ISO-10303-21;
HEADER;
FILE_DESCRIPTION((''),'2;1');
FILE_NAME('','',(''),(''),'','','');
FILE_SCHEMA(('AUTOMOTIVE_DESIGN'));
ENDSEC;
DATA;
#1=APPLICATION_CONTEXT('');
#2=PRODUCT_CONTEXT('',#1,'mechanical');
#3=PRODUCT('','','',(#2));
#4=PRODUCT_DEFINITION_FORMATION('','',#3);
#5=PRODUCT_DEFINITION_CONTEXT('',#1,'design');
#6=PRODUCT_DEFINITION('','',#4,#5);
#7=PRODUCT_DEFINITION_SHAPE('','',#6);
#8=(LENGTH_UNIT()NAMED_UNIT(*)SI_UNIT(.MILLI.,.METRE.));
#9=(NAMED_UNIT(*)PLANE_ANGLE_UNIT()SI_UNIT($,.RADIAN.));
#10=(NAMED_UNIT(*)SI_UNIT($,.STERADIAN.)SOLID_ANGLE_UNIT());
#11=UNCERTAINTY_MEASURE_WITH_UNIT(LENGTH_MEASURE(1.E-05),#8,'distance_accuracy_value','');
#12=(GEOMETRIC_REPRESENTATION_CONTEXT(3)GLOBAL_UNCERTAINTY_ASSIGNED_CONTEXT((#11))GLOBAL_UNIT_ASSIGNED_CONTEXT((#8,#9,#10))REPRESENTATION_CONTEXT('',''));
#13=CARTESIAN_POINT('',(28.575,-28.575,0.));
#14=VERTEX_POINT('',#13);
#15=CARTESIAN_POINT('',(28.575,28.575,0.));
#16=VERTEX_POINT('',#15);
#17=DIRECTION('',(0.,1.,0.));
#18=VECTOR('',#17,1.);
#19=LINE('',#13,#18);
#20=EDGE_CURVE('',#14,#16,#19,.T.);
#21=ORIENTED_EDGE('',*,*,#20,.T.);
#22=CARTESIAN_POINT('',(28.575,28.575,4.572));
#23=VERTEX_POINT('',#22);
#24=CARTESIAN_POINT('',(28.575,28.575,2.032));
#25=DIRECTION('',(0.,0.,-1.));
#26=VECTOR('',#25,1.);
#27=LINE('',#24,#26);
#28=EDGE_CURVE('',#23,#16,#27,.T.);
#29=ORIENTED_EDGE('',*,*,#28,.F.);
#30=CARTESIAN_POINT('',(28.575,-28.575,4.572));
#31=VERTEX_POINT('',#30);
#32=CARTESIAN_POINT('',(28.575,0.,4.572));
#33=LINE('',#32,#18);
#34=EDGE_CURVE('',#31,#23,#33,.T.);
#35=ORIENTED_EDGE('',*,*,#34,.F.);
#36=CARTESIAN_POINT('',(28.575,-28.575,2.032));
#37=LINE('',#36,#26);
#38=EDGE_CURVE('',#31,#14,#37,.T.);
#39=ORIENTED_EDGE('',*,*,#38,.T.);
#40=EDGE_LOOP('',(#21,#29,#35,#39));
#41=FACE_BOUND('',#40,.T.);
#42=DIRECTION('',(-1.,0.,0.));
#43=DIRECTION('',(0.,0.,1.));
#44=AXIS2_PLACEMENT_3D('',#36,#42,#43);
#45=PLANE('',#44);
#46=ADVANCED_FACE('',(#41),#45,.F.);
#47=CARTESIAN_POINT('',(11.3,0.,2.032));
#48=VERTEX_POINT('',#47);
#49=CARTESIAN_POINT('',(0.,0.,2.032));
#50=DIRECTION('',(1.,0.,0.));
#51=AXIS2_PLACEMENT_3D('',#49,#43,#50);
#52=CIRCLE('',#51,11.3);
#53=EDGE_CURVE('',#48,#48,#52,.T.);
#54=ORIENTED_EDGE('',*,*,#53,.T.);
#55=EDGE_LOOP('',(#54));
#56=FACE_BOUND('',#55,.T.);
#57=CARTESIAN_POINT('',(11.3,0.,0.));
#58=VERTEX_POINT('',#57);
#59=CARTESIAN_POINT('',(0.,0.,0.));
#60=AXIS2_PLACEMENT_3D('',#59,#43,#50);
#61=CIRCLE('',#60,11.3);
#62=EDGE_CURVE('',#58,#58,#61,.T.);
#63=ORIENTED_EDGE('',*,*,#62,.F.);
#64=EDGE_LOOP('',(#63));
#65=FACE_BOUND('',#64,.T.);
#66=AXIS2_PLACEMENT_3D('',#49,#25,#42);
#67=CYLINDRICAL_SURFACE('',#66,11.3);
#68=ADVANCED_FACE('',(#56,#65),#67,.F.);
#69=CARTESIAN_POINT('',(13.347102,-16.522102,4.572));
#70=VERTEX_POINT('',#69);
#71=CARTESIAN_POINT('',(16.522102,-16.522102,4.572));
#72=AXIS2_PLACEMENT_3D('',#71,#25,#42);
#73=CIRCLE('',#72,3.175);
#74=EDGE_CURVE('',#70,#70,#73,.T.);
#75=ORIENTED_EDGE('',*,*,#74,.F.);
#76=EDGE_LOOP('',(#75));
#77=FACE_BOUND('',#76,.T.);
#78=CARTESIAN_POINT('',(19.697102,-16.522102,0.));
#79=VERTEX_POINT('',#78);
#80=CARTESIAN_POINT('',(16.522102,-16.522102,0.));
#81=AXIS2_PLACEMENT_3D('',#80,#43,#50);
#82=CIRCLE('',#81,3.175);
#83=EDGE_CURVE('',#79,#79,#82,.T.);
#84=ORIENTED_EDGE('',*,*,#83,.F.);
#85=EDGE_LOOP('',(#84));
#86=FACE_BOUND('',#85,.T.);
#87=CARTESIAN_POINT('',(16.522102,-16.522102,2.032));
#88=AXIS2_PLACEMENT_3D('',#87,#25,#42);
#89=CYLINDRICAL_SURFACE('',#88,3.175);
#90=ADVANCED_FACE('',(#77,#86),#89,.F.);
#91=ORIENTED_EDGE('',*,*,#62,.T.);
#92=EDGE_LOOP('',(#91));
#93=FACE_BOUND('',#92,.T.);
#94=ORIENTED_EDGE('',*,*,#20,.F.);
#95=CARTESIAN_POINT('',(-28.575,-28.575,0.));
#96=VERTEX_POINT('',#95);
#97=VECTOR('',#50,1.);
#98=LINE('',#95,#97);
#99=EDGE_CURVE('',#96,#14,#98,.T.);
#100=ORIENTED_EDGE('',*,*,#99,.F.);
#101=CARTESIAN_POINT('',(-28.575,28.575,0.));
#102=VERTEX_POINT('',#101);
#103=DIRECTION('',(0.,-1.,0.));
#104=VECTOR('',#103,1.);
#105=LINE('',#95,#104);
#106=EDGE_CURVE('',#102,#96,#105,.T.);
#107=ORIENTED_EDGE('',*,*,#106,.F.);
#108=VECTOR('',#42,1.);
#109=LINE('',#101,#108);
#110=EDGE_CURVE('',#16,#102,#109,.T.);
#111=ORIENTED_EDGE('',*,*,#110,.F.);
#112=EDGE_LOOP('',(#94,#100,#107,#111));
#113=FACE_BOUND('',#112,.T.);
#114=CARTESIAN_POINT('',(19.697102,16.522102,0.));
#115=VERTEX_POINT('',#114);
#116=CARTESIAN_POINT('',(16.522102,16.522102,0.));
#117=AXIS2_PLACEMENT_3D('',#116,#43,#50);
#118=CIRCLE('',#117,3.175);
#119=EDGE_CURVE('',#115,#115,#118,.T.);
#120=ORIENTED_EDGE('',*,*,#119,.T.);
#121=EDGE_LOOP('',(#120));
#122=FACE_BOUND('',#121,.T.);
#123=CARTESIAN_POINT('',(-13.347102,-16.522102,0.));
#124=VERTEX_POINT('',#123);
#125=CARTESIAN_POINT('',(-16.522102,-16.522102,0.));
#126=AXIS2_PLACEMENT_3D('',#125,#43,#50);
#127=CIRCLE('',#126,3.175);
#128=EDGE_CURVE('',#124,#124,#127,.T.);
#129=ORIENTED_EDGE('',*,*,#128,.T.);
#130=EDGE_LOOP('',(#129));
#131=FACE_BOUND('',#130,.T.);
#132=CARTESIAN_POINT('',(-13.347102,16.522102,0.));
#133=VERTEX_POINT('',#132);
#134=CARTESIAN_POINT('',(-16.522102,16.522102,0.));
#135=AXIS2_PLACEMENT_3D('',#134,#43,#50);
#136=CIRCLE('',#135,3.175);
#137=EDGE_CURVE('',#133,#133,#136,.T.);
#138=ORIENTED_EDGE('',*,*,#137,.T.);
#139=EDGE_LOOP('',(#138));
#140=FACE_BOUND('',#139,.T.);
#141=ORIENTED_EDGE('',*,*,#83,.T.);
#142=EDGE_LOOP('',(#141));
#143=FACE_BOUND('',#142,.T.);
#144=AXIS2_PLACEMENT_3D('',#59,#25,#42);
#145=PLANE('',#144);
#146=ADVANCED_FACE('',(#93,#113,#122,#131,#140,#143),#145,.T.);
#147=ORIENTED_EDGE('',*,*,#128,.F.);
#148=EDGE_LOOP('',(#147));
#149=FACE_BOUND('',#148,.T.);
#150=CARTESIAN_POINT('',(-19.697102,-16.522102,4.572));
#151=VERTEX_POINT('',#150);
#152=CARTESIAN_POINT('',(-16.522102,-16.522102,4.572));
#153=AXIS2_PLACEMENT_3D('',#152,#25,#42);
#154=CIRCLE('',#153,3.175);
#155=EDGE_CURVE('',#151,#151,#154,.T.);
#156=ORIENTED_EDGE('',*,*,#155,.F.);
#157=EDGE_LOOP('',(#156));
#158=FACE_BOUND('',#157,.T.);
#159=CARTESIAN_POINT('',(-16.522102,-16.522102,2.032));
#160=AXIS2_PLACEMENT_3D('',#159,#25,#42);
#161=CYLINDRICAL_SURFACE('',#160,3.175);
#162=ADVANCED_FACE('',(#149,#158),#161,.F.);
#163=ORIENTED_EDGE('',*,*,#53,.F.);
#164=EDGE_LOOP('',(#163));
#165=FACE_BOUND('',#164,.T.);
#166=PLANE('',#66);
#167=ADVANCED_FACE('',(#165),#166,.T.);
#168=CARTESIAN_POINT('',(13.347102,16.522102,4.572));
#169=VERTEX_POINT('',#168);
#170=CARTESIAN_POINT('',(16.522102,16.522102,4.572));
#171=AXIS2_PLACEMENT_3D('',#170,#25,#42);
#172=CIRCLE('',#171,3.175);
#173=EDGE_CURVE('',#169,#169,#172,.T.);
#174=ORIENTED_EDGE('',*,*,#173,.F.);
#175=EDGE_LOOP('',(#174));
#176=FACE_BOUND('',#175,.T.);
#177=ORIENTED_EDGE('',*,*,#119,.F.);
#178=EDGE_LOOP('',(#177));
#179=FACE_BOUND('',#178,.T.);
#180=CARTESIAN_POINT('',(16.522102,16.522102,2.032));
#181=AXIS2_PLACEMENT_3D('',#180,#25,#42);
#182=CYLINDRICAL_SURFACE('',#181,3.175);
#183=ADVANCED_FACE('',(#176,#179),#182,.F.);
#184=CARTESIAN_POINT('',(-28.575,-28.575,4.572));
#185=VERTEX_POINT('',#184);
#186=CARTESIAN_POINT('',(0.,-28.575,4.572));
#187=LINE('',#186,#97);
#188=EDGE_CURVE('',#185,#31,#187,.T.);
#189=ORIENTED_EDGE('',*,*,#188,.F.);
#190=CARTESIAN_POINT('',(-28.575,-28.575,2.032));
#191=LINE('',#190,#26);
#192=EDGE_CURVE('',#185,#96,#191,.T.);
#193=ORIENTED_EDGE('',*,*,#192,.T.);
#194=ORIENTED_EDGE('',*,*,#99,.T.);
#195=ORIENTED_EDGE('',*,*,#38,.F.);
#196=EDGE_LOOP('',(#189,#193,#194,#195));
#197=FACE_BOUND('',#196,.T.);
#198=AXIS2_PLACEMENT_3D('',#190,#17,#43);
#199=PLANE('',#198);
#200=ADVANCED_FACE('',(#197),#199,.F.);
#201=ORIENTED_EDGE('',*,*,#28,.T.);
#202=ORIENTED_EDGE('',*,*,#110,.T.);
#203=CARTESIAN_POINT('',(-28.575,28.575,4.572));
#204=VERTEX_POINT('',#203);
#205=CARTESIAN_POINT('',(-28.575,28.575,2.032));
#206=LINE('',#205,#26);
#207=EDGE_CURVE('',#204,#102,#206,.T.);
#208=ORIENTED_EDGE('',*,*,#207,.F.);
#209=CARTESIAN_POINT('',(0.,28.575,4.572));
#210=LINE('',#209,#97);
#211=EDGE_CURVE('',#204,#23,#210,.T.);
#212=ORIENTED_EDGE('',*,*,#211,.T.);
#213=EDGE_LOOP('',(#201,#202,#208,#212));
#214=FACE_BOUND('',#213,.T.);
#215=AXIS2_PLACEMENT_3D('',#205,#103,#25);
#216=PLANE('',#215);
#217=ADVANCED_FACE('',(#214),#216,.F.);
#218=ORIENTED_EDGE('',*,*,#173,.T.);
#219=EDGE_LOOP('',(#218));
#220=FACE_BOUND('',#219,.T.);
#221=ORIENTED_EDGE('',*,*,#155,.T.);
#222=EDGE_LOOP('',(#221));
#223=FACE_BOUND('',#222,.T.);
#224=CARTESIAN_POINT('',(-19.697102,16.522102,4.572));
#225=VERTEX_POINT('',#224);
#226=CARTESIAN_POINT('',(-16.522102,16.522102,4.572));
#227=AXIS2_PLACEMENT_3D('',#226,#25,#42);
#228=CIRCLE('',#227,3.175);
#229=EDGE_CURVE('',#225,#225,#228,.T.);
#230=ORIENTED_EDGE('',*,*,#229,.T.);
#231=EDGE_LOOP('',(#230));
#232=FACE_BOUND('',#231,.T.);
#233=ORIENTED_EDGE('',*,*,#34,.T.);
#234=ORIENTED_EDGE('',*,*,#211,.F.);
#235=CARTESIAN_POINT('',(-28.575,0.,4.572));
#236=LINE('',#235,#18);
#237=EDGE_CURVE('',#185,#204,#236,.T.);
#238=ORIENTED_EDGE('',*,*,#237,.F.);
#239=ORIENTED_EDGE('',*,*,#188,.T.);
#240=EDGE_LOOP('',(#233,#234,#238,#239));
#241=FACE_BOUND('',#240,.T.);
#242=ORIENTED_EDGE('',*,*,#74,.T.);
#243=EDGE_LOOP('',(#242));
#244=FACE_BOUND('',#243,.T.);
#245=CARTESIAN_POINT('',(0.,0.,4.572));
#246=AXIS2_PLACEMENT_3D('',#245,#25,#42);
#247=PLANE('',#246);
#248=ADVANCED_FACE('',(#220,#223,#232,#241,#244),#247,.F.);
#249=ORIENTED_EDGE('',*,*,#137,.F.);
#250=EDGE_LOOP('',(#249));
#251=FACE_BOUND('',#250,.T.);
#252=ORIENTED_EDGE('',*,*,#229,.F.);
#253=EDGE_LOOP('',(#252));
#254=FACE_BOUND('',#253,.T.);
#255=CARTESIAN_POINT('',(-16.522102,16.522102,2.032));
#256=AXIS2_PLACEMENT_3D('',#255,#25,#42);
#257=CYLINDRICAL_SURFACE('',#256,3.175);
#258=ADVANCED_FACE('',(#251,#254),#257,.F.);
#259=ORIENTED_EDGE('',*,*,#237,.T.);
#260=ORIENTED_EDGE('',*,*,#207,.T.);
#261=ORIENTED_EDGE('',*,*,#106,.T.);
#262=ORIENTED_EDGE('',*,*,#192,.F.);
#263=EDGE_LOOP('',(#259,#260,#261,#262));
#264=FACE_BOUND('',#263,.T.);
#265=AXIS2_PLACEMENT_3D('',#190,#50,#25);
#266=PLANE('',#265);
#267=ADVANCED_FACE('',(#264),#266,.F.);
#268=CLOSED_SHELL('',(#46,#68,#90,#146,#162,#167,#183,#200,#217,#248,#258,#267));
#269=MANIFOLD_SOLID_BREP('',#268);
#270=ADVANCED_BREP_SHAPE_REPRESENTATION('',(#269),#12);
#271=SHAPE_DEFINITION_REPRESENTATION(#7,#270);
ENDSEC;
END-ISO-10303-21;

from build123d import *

# Parameters (mm, degrees)
SKETCH1_W           = 57.15
SKETCH1_H           = 57.15
SKETCH1_R           = 3.175
SKETCH1_R_2         = 11.3
BOSS_EXTRUDE1_DEPTH = 2.032
BOSS_EXTRUDE2_START = 2.032
SKETCH1_2_W         = 57.15
SKETCH1_2_H         = 57.15
SKETCH1_2_R         = 11.3
SKETCH1_2_R_2       = 3.175
BOSS_EXTRUDE2_DEPTH = 2.54


with BuildPart() as part:
    # Sketch1 → Boss-Extrude1 (new body)
    with BuildSketch(Plane.XY):
        Rectangle(SKETCH1_W, SKETCH1_H)
        with Locations((-16.522101848, 16.522101848)):
            Circle(SKETCH1_R, mode=Mode.SUBTRACT)
        with Locations((16.522101848, 16.522101848)):
            Circle(SKETCH1_R, mode=Mode.SUBTRACT)
        with Locations((16.522101848, -16.522101848)):
            Circle(SKETCH1_R, mode=Mode.SUBTRACT)
        with Locations((-16.522101848, -16.522101848)):
            Circle(SKETCH1_R, mode=Mode.SUBTRACT)
        Circle(SKETCH1_R_2, mode=Mode.SUBTRACT)
    extrude(amount=BOSS_EXTRUDE1_DEPTH)

    # Sketch1<2> → Boss-Extrude2 (add)
    # profile 1 of 2: a face of its own
    with BuildSketch(Plane.XY.offset(BOSS_EXTRUDE2_START)):
        Rectangle(SKETCH1_2_W, SKETCH1_2_H)
        Circle(SKETCH1_2_R, mode=Mode.SUBTRACT)
        with Locations(Location((-16.522101848, -16.522101848, 0), (0, 0, 180))):
            Circle(SKETCH1_2_R_2, mode=Mode.SUBTRACT)
        with Locations(Location((16.522101848, -16.522101848, 0), (0, 0, 180))):
            Circle(SKETCH1_2_R_2, mode=Mode.SUBTRACT)
        with Locations(Location((16.522101848, 16.522101848, 0), (0, 0, 180))):
            Circle(SKETCH1_2_R_2, mode=Mode.SUBTRACT)
        with Locations(Location((-16.522101848, 16.522101848, 0), (0, 0, 180))):
            Circle(SKETCH1_2_R_2, mode=Mode.SUBTRACT)
    # profile 2 of 2: a face of its own
    with BuildSketch(Plane.XY.offset(BOSS_EXTRUDE2_START)):
        Circle(SKETCH1_2_R)
    extrude(amount=BOSS_EXTRUDE2_DEPTH)


solid = part.part
